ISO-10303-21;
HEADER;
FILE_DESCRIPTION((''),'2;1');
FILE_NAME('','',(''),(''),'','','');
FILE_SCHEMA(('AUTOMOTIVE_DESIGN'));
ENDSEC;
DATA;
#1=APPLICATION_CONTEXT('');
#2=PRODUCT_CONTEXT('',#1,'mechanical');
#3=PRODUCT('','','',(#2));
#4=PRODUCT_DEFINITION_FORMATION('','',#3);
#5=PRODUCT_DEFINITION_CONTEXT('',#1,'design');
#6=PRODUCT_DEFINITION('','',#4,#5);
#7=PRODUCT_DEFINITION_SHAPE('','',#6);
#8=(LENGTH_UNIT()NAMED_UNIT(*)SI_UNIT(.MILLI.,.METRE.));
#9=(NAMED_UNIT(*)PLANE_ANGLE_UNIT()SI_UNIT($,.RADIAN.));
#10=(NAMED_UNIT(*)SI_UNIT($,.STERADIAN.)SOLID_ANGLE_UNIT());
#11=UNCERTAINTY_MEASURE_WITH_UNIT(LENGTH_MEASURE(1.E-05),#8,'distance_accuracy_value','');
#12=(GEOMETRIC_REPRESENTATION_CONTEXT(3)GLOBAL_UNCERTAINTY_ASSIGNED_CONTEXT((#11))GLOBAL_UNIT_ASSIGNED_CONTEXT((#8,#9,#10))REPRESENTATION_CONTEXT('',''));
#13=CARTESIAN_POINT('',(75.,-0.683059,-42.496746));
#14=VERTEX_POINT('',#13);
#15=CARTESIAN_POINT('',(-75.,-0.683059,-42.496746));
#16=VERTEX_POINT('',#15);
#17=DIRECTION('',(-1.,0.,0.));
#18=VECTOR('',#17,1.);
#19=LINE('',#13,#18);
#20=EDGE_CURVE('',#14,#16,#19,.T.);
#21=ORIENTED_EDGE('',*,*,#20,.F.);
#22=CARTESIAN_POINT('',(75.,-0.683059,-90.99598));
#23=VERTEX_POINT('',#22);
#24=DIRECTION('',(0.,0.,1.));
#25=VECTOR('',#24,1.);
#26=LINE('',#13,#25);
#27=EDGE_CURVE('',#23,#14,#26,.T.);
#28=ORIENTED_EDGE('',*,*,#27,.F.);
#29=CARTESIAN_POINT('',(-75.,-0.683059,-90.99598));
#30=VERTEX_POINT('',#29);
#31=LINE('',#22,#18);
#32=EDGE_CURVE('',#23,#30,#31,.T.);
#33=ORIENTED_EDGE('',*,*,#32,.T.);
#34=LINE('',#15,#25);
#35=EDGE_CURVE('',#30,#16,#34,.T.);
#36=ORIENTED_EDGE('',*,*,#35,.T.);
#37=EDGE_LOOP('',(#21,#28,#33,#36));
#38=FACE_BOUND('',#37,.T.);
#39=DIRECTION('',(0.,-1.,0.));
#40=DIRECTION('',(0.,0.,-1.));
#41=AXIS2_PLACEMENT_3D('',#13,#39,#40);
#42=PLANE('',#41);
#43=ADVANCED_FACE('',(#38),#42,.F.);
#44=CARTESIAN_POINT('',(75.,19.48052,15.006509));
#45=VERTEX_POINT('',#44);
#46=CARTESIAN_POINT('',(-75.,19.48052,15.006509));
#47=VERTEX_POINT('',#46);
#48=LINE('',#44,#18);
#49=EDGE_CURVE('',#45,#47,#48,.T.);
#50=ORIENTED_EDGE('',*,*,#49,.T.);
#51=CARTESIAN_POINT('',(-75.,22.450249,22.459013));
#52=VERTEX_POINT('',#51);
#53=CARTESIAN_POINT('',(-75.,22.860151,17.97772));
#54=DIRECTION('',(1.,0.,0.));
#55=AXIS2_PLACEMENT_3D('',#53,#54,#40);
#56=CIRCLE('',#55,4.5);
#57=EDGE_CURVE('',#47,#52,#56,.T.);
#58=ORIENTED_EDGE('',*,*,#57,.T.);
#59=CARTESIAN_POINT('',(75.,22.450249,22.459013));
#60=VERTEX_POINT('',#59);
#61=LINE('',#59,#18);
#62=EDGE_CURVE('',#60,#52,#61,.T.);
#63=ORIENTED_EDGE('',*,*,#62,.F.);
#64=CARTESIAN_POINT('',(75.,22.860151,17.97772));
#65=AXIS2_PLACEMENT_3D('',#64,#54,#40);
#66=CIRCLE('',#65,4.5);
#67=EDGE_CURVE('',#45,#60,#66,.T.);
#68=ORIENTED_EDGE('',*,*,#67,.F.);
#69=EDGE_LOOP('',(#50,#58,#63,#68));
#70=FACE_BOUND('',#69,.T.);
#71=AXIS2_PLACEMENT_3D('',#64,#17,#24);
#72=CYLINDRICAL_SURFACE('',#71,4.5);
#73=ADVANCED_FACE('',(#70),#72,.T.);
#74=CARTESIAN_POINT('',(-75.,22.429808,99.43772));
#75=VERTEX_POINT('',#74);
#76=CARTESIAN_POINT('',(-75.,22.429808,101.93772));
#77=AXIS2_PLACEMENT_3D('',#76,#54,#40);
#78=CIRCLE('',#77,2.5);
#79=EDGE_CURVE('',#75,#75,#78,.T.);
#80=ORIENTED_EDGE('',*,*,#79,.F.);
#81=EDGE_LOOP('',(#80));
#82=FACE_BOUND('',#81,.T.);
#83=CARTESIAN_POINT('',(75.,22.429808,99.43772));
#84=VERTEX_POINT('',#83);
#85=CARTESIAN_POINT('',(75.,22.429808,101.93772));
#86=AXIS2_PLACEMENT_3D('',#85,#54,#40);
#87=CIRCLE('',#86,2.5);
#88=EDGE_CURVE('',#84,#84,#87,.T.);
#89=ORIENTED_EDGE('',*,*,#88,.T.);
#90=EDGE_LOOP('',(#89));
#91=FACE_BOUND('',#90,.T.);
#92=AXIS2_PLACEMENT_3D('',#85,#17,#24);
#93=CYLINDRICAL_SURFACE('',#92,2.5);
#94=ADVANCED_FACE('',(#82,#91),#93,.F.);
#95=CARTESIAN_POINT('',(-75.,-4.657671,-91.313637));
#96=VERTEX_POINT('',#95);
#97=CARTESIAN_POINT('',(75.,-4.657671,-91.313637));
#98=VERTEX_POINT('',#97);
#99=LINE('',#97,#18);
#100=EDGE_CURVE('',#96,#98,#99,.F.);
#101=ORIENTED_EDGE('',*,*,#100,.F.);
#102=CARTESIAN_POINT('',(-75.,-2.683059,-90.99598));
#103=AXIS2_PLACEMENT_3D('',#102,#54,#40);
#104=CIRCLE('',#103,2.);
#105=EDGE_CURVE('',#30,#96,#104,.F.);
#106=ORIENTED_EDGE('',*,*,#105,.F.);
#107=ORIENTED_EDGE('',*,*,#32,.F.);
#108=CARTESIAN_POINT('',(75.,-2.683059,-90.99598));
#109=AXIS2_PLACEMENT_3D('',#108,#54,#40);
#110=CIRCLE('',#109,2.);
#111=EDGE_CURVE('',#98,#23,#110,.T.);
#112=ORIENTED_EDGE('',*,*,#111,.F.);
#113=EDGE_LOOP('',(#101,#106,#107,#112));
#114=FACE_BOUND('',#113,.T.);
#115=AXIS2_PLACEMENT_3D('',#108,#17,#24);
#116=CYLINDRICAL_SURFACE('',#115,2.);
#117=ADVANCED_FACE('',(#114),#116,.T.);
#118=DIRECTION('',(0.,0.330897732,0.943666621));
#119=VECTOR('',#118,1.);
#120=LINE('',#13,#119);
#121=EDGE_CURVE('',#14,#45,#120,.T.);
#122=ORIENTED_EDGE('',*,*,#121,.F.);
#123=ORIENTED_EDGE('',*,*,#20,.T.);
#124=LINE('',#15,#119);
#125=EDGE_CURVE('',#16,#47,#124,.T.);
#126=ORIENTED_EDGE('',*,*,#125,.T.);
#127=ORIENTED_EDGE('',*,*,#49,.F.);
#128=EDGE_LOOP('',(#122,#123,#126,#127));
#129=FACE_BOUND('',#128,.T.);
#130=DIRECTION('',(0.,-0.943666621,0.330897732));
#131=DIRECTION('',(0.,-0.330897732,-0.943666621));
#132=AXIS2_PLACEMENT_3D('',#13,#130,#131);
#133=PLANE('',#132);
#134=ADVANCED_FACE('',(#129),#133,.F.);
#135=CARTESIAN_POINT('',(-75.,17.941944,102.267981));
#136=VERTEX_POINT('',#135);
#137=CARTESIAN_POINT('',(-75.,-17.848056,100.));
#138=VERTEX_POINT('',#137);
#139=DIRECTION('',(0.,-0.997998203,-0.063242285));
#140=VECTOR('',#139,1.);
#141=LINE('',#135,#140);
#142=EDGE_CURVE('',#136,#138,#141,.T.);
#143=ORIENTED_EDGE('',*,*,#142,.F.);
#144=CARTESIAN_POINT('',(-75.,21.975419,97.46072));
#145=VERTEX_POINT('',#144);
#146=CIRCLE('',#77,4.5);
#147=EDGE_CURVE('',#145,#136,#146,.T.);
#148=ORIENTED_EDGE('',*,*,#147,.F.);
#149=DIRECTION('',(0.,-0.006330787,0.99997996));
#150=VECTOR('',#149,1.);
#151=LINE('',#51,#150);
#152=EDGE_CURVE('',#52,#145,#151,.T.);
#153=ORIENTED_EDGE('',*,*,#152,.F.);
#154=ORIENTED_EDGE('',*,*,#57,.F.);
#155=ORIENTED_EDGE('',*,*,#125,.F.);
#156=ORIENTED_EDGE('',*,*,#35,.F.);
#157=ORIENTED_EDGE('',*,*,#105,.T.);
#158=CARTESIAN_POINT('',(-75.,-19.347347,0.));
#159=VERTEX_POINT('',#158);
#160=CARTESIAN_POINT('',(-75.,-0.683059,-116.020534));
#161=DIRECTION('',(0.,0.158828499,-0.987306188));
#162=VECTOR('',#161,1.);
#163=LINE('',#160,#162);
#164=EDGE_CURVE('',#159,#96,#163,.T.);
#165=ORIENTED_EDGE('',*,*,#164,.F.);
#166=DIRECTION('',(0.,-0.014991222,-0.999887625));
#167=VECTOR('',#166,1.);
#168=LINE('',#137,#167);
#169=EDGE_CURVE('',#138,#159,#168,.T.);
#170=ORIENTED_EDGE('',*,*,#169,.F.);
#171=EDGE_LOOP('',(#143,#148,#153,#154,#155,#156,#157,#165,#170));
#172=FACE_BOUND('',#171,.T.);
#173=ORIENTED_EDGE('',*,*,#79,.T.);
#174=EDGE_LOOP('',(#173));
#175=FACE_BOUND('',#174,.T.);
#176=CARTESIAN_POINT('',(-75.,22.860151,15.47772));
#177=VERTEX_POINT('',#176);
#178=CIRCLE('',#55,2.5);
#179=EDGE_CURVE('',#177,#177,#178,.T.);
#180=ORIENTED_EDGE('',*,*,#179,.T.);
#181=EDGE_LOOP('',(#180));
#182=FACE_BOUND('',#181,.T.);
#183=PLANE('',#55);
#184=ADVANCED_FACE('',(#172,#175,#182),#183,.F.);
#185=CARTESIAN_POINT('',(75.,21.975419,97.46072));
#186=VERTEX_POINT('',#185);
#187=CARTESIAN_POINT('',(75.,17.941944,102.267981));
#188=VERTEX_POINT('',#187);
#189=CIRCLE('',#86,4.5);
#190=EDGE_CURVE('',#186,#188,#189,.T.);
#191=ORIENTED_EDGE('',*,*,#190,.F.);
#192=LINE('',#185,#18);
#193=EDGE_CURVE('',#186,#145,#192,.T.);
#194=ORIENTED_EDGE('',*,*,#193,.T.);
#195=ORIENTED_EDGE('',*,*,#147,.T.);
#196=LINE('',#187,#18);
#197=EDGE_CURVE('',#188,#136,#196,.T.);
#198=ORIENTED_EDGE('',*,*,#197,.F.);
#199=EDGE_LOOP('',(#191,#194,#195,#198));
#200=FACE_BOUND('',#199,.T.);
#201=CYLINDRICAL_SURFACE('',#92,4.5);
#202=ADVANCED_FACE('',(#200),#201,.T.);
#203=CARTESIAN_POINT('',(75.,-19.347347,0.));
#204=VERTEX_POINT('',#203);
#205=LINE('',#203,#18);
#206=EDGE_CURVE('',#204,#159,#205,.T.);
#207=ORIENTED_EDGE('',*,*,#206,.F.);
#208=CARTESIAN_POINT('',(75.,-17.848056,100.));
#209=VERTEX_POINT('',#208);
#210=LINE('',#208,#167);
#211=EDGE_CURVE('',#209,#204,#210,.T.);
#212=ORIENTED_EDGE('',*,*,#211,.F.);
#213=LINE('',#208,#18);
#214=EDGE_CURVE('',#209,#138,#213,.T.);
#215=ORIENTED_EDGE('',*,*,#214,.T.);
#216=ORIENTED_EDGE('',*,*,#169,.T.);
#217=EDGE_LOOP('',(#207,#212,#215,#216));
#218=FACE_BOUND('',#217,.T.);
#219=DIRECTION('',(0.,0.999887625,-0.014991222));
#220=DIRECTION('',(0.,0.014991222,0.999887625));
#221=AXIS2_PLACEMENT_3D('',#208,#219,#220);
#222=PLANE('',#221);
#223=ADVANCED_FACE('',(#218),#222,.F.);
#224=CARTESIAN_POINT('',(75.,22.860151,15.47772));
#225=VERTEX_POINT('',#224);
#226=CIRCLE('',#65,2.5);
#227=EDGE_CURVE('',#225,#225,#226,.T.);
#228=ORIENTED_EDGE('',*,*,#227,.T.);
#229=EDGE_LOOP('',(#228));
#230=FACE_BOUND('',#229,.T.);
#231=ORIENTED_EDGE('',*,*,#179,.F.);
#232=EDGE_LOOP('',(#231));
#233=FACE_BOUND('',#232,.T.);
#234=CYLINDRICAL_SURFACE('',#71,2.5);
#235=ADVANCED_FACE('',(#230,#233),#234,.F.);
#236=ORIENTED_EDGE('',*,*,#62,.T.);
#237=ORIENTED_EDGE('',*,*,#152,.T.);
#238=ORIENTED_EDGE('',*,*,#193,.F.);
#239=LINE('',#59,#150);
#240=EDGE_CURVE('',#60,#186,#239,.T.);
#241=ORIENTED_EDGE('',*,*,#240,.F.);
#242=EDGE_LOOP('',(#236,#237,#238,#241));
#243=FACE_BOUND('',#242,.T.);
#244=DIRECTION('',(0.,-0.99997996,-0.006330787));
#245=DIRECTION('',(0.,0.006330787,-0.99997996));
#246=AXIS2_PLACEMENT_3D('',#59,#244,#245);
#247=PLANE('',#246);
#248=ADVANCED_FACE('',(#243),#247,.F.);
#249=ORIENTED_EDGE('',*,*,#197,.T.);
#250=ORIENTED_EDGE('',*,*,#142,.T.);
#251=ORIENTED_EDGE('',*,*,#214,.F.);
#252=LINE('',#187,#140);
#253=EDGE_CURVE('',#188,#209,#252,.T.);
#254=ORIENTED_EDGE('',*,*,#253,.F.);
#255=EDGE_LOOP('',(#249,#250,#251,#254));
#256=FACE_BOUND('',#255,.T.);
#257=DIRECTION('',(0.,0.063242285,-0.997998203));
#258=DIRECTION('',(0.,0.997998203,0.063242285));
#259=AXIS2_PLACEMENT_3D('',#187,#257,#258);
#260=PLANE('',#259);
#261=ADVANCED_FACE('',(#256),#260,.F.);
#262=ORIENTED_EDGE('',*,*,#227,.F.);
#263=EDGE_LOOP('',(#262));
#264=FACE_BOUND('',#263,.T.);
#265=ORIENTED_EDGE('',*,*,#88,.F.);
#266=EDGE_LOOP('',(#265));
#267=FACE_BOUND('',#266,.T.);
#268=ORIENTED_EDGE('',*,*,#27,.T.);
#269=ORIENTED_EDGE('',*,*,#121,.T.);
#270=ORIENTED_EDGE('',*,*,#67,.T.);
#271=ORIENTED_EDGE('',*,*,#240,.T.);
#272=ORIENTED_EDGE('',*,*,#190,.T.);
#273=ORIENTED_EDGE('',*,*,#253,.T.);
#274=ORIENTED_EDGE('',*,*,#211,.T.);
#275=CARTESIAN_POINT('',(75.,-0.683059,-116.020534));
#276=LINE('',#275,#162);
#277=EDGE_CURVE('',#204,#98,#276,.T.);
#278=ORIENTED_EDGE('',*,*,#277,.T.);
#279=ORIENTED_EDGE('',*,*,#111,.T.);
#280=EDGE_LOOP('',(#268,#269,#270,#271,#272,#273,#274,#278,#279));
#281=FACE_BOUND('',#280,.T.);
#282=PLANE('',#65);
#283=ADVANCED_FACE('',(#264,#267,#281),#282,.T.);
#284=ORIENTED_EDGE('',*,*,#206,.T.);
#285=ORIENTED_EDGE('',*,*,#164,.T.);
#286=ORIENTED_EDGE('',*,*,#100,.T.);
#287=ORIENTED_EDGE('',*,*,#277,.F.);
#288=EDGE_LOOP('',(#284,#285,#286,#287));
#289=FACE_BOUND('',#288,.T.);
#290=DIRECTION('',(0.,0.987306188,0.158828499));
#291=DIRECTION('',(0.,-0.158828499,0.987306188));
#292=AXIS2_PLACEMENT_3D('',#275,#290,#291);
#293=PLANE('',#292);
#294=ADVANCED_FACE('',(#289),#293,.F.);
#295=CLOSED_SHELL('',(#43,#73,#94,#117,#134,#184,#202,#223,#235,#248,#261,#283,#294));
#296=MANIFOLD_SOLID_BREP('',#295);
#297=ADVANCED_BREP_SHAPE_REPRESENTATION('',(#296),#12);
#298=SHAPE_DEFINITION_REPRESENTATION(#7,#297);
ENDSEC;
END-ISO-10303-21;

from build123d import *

# Parameters (mm, degrees)
ESBO_O1_R                = 2.5
RESSALTO_EXTRUS_O1_DEPTH = 75
FILETE1_R                = 2


with BuildPart() as part:
    # Esboço1 → Ressalto-extrusão1 (new, symmetric)
    with BuildSketch(Plane(origin=(0, 0, 0), x_dir=(0, 0, -1), z_dir=(1, 0, 0))):
        with BuildLine():
            Line((-100, -17.848056111), (0, -19.347346796))
            Line((0, -19.347346796), (116.020534247, -0.683058506))
            Line((116.020534247, -0.683058506), (42.496745606, -0.683058506))
            Line((42.496745606, -0.683058506), (-15.006508788, 19.480520471))
            ThreePointArc((-15.006508788, 19.480520471), (-16.311915051, 27.040473041), (-22.459012532, 22.450248543))
            Line((-22.459012532, 22.450248543), (-97.460720141, 21.975419182))
            ThreePointArc((-97.460720141, 21.975419182), (-104.830140039, 25.877112836), (-102.267981422, 17.941943889))
            Line((-102.267981422, 17.941943889), (-100, -17.848056111))
        make_face()
        with Locations((-101.937720305, 22.42980837)):
            Circle(ESBO_O1_R, mode=Mode.SUBTRACT)
        with Locations((-17.977720305, 22.860150942)):
            Circle(ESBO_O1_R, mode=Mode.SUBTRACT)
    extrude(amount=RESSALTO_EXTRUS_O1_DEPTH, both=True)

    # Filete1
    filete1_edges = [part.edges().sort_by_distance(p)[0] for p in [
        (0, -0.683058506, -116.020534247),
    ]]
    fillet(filete1_edges, radius=FILETE1_R)


solid = part.part
